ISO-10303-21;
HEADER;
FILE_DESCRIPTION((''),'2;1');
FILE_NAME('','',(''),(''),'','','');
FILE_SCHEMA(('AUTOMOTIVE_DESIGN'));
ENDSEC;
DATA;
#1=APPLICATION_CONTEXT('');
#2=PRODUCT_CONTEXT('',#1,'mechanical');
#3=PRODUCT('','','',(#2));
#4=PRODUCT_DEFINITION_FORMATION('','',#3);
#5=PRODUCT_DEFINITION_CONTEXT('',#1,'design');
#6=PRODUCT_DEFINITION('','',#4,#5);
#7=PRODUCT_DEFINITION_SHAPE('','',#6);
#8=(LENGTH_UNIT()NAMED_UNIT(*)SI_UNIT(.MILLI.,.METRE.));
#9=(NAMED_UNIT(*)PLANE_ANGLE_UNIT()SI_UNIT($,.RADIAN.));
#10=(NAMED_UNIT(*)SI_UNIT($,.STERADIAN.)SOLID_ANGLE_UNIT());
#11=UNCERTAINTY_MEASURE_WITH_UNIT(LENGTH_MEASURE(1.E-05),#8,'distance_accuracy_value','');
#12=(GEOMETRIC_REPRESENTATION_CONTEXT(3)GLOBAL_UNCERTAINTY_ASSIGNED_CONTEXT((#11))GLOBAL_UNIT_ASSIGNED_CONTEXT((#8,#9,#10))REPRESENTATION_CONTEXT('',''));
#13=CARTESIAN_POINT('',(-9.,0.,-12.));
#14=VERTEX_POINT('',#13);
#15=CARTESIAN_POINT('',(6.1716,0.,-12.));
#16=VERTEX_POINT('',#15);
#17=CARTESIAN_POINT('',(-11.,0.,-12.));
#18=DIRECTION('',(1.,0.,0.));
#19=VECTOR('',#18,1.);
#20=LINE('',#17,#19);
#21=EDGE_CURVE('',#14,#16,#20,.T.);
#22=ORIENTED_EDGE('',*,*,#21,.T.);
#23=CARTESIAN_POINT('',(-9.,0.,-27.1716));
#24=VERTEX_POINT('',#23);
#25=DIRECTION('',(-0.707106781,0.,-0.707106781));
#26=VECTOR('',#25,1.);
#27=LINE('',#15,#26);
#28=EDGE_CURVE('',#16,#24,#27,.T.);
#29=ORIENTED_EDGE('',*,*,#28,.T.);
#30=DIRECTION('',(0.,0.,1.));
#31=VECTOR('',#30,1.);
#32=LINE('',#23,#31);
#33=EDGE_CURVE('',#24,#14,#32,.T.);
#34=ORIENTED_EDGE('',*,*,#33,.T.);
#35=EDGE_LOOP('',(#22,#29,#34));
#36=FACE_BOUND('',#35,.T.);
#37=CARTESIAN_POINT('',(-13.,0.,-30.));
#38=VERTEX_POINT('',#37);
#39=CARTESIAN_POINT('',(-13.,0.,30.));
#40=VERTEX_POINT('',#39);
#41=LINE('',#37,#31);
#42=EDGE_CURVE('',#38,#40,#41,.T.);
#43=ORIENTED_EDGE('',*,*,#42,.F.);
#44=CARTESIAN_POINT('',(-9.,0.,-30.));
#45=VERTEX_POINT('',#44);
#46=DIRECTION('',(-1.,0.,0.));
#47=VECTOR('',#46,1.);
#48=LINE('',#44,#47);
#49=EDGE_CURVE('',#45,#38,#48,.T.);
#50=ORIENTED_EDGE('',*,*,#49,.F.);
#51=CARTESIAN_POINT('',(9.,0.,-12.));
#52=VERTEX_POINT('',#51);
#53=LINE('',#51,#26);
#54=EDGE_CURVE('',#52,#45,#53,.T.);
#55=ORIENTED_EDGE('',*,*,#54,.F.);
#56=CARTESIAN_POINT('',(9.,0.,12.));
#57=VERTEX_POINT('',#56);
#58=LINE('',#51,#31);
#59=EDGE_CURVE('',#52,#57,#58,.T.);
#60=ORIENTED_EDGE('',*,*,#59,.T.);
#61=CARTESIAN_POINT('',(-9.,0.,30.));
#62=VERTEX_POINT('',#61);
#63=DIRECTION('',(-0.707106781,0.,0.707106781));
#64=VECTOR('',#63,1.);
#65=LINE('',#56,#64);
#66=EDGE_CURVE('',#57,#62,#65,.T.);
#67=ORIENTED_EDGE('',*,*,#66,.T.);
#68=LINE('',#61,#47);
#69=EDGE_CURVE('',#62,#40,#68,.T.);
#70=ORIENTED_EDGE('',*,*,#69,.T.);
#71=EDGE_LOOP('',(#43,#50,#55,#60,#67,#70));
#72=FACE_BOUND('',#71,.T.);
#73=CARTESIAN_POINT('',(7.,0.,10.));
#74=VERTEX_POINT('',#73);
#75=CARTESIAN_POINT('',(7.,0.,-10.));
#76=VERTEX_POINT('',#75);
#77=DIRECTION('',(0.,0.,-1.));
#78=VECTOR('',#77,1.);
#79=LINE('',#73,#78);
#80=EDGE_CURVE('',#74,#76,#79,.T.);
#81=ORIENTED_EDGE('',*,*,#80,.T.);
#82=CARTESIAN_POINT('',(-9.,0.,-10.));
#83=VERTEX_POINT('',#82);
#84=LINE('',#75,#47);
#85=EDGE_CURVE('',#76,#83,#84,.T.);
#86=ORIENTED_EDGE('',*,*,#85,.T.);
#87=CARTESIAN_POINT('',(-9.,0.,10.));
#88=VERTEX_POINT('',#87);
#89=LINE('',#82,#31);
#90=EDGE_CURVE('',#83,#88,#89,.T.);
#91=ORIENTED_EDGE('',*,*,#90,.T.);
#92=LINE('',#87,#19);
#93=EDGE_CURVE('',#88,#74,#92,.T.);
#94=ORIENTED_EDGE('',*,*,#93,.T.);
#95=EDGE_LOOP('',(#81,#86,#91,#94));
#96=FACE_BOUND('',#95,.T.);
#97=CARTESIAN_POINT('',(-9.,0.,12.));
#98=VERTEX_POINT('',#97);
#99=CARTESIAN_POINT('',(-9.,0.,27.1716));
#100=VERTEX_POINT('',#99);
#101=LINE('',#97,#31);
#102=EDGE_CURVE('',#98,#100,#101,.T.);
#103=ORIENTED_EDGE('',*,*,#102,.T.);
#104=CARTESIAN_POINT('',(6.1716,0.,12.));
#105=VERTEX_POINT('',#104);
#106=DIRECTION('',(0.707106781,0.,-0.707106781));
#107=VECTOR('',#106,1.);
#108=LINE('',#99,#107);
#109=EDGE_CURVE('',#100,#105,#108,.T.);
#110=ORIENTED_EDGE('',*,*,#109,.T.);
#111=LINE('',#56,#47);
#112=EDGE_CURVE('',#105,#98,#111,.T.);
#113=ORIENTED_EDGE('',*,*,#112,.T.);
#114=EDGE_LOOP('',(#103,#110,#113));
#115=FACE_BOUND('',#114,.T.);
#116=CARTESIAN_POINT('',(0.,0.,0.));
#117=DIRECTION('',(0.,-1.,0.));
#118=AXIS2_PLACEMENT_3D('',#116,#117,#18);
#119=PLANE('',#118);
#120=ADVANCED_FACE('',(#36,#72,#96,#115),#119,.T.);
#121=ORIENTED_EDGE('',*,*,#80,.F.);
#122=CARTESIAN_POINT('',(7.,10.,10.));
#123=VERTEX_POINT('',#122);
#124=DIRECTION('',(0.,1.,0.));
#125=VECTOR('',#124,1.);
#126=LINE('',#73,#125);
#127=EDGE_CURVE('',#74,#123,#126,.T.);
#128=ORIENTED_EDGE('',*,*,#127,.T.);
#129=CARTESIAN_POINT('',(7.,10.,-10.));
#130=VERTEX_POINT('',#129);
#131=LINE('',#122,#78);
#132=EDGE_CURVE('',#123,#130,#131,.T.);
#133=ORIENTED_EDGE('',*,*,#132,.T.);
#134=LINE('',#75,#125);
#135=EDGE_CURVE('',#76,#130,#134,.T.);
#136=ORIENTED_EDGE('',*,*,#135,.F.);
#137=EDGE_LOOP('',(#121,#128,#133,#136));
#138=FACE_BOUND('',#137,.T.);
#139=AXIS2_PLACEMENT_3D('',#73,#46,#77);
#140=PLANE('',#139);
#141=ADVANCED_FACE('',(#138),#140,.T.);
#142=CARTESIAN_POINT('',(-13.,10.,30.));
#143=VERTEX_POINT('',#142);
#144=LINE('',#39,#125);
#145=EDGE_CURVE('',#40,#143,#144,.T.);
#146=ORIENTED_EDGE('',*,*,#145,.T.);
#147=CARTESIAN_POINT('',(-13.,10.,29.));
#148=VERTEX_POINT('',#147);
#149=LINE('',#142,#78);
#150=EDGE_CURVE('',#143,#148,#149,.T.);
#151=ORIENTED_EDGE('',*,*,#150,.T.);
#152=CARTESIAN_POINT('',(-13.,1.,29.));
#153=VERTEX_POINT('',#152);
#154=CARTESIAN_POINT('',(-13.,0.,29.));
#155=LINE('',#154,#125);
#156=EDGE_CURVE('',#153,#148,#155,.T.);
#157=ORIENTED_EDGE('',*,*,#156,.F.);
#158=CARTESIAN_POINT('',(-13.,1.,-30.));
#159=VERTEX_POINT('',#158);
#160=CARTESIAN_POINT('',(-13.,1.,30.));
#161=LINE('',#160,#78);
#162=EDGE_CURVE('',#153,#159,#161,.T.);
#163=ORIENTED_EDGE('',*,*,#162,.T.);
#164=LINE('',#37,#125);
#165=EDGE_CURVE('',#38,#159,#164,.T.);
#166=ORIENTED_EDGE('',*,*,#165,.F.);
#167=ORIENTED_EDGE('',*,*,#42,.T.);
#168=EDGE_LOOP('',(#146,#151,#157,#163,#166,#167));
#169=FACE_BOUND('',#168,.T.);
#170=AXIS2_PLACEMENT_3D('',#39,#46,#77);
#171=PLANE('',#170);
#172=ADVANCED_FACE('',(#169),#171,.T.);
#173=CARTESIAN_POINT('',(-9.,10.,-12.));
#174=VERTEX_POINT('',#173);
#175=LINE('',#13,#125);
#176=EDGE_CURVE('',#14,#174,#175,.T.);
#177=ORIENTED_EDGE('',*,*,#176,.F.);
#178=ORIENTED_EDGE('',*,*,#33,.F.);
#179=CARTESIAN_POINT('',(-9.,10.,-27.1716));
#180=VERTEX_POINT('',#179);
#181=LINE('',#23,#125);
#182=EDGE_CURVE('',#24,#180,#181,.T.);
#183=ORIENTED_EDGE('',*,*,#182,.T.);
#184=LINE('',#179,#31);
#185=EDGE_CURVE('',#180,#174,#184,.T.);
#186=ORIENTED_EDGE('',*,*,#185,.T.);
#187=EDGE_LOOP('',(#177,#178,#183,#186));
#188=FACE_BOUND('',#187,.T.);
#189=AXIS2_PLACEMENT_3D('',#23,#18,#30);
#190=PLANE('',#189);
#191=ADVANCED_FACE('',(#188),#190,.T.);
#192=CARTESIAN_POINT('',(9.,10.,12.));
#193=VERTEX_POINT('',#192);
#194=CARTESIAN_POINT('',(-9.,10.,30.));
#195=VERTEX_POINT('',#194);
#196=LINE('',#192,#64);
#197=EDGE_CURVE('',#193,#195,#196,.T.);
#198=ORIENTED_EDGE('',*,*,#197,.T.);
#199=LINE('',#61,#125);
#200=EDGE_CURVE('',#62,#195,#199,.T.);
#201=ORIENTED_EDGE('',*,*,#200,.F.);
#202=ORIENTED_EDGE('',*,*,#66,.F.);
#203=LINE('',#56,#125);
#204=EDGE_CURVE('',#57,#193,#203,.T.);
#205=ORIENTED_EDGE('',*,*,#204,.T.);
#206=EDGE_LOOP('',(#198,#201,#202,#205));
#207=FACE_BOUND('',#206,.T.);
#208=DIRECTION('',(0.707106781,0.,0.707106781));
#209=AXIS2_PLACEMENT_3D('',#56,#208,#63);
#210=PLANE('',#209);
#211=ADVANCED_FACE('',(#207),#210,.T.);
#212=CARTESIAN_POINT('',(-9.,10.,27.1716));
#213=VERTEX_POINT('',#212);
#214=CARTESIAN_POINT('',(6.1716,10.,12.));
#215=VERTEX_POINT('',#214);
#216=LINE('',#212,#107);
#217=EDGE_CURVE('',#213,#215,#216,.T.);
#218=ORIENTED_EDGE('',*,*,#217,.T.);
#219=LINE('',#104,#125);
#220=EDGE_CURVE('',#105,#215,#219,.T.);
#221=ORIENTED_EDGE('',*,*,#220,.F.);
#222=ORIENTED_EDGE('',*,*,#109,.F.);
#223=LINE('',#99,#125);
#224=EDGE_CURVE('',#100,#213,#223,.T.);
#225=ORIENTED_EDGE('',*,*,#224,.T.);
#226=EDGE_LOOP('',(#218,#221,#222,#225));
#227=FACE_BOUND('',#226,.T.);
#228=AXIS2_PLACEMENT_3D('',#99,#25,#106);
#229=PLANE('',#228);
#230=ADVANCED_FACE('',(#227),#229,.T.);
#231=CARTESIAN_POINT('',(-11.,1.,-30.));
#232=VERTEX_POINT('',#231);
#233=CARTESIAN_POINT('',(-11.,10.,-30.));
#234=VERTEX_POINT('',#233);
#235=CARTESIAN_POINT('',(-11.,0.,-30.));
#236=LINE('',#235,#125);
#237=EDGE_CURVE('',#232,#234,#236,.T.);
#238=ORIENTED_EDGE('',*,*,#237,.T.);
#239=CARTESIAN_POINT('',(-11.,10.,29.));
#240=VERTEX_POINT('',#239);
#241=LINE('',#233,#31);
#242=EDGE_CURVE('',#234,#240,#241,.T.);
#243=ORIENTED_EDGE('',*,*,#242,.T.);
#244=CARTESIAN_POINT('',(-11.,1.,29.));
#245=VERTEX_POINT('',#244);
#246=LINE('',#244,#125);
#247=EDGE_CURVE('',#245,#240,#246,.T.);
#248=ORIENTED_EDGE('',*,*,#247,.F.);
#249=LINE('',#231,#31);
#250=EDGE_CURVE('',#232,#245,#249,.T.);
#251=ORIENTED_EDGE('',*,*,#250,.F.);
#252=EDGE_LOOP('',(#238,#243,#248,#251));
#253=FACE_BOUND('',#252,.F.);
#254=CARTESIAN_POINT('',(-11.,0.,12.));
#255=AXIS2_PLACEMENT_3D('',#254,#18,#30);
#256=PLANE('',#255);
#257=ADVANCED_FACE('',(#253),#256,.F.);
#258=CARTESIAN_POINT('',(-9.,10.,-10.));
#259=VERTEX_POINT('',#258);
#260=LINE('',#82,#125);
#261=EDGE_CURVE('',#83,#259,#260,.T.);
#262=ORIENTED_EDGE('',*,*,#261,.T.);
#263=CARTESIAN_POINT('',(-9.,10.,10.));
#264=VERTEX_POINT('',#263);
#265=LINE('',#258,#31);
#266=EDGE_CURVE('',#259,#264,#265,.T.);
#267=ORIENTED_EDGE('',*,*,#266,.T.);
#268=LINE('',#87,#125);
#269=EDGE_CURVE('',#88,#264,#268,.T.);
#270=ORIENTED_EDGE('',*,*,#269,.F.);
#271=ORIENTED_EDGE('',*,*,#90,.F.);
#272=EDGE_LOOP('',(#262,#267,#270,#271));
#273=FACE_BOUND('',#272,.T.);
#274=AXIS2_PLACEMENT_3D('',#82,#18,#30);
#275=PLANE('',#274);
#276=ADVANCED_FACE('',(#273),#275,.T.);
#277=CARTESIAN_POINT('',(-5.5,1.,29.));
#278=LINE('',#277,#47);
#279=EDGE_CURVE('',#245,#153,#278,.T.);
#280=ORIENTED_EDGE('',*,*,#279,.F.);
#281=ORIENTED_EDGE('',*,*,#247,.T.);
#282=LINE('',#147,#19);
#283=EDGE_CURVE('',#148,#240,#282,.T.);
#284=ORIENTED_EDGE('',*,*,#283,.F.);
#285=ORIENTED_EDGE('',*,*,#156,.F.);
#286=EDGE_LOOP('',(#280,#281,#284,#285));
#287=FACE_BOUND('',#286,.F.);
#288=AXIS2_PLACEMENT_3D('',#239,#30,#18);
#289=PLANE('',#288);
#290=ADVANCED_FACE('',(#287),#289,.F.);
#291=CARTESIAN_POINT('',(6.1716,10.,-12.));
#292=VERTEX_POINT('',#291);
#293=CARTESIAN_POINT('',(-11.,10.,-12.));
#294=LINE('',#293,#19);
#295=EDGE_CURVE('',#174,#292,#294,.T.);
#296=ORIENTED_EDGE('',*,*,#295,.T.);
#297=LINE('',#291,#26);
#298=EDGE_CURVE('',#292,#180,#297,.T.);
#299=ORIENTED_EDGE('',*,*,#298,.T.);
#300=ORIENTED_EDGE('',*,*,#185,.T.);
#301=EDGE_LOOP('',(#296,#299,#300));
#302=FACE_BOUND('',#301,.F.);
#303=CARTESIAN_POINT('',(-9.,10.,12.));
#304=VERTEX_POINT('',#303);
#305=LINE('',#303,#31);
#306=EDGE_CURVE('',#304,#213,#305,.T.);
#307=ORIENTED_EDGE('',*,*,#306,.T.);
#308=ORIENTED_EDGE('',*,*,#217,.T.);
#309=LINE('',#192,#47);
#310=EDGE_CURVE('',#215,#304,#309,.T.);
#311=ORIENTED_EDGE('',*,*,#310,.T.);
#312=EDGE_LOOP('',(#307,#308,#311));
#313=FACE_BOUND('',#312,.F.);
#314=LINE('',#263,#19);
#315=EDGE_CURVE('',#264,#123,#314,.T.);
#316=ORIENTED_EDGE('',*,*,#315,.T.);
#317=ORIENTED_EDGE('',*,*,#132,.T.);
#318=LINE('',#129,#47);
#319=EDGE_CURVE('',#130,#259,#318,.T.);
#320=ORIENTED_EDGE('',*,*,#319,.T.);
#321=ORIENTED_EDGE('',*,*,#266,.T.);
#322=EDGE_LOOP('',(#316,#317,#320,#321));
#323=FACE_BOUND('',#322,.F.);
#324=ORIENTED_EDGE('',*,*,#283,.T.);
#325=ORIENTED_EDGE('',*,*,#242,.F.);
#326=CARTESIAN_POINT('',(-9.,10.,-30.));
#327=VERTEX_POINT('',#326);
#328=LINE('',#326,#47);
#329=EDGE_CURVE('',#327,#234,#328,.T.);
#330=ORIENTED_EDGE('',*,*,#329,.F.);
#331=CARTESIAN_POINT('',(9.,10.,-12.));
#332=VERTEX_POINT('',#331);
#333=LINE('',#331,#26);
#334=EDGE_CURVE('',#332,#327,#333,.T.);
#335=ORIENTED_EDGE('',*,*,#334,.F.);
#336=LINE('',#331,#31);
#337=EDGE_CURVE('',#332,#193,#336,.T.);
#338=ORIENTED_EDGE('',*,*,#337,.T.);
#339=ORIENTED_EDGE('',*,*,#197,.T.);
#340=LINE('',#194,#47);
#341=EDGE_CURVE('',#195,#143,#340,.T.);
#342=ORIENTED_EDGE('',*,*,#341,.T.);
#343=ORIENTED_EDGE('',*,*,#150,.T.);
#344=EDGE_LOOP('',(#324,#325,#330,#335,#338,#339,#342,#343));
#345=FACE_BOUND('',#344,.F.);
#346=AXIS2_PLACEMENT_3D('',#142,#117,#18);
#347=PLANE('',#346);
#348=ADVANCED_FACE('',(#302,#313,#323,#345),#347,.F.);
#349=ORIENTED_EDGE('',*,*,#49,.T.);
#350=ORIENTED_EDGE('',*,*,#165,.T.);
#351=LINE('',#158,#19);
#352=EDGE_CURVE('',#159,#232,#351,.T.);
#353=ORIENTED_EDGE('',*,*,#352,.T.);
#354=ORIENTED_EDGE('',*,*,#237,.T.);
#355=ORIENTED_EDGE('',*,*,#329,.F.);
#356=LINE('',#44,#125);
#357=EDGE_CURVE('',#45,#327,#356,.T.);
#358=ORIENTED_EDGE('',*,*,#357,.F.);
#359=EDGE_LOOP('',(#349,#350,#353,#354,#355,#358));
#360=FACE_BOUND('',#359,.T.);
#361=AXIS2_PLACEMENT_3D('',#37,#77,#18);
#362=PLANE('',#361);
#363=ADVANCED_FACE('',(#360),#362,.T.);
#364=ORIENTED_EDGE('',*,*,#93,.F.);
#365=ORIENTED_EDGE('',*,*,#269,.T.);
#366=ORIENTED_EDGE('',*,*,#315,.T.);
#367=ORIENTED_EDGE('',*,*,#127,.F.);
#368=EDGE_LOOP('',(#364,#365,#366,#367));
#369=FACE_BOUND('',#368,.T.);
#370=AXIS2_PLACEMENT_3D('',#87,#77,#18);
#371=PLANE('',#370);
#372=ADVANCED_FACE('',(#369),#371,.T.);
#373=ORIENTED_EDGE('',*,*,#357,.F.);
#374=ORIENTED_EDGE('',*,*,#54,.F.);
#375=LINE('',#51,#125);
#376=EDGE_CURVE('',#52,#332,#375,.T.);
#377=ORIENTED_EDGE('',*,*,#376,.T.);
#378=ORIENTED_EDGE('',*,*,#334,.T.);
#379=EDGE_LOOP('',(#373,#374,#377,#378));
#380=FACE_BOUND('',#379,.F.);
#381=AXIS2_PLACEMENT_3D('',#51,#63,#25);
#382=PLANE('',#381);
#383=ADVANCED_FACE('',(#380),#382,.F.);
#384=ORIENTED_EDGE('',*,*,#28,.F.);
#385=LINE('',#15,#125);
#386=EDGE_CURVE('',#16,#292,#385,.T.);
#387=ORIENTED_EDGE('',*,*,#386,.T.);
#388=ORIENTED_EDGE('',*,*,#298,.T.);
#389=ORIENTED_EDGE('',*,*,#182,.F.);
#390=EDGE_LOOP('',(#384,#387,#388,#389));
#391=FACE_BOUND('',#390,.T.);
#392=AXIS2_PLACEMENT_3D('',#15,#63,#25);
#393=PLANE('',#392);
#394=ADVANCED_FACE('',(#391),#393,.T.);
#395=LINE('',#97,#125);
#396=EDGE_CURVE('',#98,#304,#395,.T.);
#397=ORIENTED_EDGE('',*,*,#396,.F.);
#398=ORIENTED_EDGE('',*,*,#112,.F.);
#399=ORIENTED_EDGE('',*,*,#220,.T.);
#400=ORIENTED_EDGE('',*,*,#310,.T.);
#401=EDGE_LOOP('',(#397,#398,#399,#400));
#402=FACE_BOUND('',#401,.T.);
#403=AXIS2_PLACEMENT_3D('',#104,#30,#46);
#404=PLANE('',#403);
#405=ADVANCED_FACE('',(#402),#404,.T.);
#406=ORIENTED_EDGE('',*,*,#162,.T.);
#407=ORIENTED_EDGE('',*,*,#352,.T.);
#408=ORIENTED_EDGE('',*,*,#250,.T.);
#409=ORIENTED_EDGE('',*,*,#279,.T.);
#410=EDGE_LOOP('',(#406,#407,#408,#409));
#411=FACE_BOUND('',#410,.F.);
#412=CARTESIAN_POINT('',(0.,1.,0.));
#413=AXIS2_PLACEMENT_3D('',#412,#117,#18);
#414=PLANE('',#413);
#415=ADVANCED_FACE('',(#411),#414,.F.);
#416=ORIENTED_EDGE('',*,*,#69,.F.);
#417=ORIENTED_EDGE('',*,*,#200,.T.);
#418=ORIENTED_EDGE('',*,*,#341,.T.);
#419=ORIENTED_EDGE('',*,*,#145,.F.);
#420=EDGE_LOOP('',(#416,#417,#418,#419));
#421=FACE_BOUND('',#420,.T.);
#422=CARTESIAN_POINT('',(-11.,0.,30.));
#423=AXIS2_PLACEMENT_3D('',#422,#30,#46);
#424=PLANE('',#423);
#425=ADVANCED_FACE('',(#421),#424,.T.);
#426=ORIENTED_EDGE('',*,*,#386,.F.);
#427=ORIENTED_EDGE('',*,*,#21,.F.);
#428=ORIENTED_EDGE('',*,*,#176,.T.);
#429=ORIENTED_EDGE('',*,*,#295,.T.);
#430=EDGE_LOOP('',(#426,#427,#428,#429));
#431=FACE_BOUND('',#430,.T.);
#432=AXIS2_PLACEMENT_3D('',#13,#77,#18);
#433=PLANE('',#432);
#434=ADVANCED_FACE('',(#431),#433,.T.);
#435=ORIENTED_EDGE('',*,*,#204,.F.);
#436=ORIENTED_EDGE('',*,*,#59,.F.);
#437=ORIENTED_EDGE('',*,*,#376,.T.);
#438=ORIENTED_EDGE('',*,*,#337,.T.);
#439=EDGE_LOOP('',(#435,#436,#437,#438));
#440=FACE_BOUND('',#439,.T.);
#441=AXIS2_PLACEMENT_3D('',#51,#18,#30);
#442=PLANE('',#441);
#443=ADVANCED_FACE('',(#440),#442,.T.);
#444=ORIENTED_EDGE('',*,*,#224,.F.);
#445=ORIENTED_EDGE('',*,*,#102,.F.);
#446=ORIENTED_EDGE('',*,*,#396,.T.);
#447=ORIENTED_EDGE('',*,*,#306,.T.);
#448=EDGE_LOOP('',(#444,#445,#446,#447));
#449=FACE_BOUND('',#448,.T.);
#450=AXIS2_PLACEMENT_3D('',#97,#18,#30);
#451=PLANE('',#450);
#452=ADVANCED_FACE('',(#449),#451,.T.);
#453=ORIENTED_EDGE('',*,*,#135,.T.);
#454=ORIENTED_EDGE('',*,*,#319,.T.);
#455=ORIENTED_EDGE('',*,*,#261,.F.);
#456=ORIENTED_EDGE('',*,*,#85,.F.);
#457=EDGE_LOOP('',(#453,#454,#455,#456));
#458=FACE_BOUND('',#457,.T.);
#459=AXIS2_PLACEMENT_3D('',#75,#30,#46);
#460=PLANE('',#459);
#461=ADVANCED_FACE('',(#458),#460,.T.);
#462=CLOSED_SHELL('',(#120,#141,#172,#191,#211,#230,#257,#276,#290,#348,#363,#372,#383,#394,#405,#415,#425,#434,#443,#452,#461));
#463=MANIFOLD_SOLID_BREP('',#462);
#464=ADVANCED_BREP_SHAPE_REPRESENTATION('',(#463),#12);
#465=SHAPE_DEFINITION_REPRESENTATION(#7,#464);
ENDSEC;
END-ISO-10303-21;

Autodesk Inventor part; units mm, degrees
ref_plane "YZ Plane" through (0, 0, 0) normal (1, 0, 0) x (0, 1, 0)
ref_plane "XZ Plane" through (0, 0, 0) normal (0, 1, 0) x (-1, 0, 0)
ref_plane "XY Plane" through (0, 0, 0) normal (0, 0, 1) x (1, 0, 0)
sketch "Sketch1" plane through (0, 0, 0) normal (0, 1, 0) x (-1, 0, 0)
  line L0 (9, 10) -> (-7, 10)
  line L1 (-7, 10) -> (-7, -10)
  line L2 (-7, -10) -> (9, -10)
  line L3 (9, -10) -> (9, 10)
  line L4 (9, 10) -> (-7, -10) construction
  line L5 (-7, 10) -> (9, -10) construction
  line L6 (-9, 12) -> (11, 12)
  line L7 (11, 12) -> (11, -12)
  line L8 (11, -12) -> (-9, -12)
  line L9 (-9, -12) -> (-9, 12)
  line L10 (-9, 12) -> (9, 30)
  line L11 (-9, 12) -> (21.2472, 12) construction
  line L12 (11, 12) -> (11, 30)
  line L13 (-9, -12) -> (9, -30)
  line L14 (-9, -12) -> (29.5291, -12) construction
  line L15 (11, -12) -> (11, -30)
  line L16 (9, 12) -> (9, 29.1716)
  line L17 (-6.1716, -12) -> (9, -27.1716)
  line L18 (9, -27.1716) -> (9, -12)
  line L19 (11, 12) -> (11, 10)
  line L20 (11, 12) -> (9, 12)
  line L21 (-8.1716, 12) -> (-9, 12)
  line L22 (-9, -12) -> (-6.1716, -12)
  line L23 (11, -12) -> (9, -12)
  line L24 (9, 29.1716) -> (9, 30)
  line L25 (9, 30) -> (11, 30)
  line L26 (9, -27.1716) -> (11, -27.1716)
  line L27 (9, -27.1716) -> (9, -30)
  line L28 (9, -30) -> (11, -30)
  line L29 (11, 12) -> (9, 12)
  line L30 (-8.1716, 12) -> (-9, 12)
  line L31 (-6.1716, -12) -> (9, -12)
  line L32 (11, -12) -> (9, -12)
  line L33 (9, 30) -> (9, 28)
  line L34 (9, 27.1716) -> (-6.1716, 12)
  line L35 (9, 27.1716) -> (9, 30)
  line L36 (9, 27.1716) -> (-6.1716, 12)
  line L37 (-9, 12) -> (-6.1716, 12)
  line L38 (9, 30) -> (-9, 12)
  point P0 (0, 0)
  point P1 (1, 0)
  dimension "d0" = 16
  dimension "d1" = 20
  dimension "d2" = 2
  dimension "d3" = 45
  dimension "d4" = 45
  dimension "d5" = 2
  dimension "d6" = 2
  dimension "d12" = 2
  dimension "d21" = 60
extrude "Extrusion2" add sketch "Sketch1" along normal blind 10 contours L10 L24 L16 L34 L6 | L6 L7 L8 L9 | L8 L17 L27 L13 | L25 L12 L6 L16 L24 | L27 L26 L15 L28 | L8 L15 L26 L18
sketch "Sketch3" plane through (0, 0, 0) normal (0, -1, 0) x (1, 0, 0)
  line L0 (-11, 30) -> (-13, 30)
  line L1 (-13, 30) -> (-13, -30)
  line L2 (-13, -30) -> (-11, -30)
  line L3 (-11, -30) -> (-11, 30) projected
  line L4 (-11, -30) -> (-11, 30)
  point P0 (0, 0)
  dimension "d15" = 2
  dimension "d16" = 60
extrude "Extrusion3" add sketch "Sketch3" against normal blind 1
sketch "Sketch4" plane through (-11, 10, 30) normal (0, 0, 1) x (1, 0, 0)
  line L0 (0, -9) -> (0, 0) projected
  line L1 (0, 0) -> (0, -10)
  line L2 (2, -10) -> (-2, -10) projected
  line L3 (0, -10) -> (-2, -10)
  line L4 (-2, -10) -> (-2, 0)
  line L5 (-2, 0) -> (0, 0)
  point P0 (11, -10)
extrude "Extrusion4" add sketch "Sketch4" against normal blind 1
properties part number "Motor_Org"
